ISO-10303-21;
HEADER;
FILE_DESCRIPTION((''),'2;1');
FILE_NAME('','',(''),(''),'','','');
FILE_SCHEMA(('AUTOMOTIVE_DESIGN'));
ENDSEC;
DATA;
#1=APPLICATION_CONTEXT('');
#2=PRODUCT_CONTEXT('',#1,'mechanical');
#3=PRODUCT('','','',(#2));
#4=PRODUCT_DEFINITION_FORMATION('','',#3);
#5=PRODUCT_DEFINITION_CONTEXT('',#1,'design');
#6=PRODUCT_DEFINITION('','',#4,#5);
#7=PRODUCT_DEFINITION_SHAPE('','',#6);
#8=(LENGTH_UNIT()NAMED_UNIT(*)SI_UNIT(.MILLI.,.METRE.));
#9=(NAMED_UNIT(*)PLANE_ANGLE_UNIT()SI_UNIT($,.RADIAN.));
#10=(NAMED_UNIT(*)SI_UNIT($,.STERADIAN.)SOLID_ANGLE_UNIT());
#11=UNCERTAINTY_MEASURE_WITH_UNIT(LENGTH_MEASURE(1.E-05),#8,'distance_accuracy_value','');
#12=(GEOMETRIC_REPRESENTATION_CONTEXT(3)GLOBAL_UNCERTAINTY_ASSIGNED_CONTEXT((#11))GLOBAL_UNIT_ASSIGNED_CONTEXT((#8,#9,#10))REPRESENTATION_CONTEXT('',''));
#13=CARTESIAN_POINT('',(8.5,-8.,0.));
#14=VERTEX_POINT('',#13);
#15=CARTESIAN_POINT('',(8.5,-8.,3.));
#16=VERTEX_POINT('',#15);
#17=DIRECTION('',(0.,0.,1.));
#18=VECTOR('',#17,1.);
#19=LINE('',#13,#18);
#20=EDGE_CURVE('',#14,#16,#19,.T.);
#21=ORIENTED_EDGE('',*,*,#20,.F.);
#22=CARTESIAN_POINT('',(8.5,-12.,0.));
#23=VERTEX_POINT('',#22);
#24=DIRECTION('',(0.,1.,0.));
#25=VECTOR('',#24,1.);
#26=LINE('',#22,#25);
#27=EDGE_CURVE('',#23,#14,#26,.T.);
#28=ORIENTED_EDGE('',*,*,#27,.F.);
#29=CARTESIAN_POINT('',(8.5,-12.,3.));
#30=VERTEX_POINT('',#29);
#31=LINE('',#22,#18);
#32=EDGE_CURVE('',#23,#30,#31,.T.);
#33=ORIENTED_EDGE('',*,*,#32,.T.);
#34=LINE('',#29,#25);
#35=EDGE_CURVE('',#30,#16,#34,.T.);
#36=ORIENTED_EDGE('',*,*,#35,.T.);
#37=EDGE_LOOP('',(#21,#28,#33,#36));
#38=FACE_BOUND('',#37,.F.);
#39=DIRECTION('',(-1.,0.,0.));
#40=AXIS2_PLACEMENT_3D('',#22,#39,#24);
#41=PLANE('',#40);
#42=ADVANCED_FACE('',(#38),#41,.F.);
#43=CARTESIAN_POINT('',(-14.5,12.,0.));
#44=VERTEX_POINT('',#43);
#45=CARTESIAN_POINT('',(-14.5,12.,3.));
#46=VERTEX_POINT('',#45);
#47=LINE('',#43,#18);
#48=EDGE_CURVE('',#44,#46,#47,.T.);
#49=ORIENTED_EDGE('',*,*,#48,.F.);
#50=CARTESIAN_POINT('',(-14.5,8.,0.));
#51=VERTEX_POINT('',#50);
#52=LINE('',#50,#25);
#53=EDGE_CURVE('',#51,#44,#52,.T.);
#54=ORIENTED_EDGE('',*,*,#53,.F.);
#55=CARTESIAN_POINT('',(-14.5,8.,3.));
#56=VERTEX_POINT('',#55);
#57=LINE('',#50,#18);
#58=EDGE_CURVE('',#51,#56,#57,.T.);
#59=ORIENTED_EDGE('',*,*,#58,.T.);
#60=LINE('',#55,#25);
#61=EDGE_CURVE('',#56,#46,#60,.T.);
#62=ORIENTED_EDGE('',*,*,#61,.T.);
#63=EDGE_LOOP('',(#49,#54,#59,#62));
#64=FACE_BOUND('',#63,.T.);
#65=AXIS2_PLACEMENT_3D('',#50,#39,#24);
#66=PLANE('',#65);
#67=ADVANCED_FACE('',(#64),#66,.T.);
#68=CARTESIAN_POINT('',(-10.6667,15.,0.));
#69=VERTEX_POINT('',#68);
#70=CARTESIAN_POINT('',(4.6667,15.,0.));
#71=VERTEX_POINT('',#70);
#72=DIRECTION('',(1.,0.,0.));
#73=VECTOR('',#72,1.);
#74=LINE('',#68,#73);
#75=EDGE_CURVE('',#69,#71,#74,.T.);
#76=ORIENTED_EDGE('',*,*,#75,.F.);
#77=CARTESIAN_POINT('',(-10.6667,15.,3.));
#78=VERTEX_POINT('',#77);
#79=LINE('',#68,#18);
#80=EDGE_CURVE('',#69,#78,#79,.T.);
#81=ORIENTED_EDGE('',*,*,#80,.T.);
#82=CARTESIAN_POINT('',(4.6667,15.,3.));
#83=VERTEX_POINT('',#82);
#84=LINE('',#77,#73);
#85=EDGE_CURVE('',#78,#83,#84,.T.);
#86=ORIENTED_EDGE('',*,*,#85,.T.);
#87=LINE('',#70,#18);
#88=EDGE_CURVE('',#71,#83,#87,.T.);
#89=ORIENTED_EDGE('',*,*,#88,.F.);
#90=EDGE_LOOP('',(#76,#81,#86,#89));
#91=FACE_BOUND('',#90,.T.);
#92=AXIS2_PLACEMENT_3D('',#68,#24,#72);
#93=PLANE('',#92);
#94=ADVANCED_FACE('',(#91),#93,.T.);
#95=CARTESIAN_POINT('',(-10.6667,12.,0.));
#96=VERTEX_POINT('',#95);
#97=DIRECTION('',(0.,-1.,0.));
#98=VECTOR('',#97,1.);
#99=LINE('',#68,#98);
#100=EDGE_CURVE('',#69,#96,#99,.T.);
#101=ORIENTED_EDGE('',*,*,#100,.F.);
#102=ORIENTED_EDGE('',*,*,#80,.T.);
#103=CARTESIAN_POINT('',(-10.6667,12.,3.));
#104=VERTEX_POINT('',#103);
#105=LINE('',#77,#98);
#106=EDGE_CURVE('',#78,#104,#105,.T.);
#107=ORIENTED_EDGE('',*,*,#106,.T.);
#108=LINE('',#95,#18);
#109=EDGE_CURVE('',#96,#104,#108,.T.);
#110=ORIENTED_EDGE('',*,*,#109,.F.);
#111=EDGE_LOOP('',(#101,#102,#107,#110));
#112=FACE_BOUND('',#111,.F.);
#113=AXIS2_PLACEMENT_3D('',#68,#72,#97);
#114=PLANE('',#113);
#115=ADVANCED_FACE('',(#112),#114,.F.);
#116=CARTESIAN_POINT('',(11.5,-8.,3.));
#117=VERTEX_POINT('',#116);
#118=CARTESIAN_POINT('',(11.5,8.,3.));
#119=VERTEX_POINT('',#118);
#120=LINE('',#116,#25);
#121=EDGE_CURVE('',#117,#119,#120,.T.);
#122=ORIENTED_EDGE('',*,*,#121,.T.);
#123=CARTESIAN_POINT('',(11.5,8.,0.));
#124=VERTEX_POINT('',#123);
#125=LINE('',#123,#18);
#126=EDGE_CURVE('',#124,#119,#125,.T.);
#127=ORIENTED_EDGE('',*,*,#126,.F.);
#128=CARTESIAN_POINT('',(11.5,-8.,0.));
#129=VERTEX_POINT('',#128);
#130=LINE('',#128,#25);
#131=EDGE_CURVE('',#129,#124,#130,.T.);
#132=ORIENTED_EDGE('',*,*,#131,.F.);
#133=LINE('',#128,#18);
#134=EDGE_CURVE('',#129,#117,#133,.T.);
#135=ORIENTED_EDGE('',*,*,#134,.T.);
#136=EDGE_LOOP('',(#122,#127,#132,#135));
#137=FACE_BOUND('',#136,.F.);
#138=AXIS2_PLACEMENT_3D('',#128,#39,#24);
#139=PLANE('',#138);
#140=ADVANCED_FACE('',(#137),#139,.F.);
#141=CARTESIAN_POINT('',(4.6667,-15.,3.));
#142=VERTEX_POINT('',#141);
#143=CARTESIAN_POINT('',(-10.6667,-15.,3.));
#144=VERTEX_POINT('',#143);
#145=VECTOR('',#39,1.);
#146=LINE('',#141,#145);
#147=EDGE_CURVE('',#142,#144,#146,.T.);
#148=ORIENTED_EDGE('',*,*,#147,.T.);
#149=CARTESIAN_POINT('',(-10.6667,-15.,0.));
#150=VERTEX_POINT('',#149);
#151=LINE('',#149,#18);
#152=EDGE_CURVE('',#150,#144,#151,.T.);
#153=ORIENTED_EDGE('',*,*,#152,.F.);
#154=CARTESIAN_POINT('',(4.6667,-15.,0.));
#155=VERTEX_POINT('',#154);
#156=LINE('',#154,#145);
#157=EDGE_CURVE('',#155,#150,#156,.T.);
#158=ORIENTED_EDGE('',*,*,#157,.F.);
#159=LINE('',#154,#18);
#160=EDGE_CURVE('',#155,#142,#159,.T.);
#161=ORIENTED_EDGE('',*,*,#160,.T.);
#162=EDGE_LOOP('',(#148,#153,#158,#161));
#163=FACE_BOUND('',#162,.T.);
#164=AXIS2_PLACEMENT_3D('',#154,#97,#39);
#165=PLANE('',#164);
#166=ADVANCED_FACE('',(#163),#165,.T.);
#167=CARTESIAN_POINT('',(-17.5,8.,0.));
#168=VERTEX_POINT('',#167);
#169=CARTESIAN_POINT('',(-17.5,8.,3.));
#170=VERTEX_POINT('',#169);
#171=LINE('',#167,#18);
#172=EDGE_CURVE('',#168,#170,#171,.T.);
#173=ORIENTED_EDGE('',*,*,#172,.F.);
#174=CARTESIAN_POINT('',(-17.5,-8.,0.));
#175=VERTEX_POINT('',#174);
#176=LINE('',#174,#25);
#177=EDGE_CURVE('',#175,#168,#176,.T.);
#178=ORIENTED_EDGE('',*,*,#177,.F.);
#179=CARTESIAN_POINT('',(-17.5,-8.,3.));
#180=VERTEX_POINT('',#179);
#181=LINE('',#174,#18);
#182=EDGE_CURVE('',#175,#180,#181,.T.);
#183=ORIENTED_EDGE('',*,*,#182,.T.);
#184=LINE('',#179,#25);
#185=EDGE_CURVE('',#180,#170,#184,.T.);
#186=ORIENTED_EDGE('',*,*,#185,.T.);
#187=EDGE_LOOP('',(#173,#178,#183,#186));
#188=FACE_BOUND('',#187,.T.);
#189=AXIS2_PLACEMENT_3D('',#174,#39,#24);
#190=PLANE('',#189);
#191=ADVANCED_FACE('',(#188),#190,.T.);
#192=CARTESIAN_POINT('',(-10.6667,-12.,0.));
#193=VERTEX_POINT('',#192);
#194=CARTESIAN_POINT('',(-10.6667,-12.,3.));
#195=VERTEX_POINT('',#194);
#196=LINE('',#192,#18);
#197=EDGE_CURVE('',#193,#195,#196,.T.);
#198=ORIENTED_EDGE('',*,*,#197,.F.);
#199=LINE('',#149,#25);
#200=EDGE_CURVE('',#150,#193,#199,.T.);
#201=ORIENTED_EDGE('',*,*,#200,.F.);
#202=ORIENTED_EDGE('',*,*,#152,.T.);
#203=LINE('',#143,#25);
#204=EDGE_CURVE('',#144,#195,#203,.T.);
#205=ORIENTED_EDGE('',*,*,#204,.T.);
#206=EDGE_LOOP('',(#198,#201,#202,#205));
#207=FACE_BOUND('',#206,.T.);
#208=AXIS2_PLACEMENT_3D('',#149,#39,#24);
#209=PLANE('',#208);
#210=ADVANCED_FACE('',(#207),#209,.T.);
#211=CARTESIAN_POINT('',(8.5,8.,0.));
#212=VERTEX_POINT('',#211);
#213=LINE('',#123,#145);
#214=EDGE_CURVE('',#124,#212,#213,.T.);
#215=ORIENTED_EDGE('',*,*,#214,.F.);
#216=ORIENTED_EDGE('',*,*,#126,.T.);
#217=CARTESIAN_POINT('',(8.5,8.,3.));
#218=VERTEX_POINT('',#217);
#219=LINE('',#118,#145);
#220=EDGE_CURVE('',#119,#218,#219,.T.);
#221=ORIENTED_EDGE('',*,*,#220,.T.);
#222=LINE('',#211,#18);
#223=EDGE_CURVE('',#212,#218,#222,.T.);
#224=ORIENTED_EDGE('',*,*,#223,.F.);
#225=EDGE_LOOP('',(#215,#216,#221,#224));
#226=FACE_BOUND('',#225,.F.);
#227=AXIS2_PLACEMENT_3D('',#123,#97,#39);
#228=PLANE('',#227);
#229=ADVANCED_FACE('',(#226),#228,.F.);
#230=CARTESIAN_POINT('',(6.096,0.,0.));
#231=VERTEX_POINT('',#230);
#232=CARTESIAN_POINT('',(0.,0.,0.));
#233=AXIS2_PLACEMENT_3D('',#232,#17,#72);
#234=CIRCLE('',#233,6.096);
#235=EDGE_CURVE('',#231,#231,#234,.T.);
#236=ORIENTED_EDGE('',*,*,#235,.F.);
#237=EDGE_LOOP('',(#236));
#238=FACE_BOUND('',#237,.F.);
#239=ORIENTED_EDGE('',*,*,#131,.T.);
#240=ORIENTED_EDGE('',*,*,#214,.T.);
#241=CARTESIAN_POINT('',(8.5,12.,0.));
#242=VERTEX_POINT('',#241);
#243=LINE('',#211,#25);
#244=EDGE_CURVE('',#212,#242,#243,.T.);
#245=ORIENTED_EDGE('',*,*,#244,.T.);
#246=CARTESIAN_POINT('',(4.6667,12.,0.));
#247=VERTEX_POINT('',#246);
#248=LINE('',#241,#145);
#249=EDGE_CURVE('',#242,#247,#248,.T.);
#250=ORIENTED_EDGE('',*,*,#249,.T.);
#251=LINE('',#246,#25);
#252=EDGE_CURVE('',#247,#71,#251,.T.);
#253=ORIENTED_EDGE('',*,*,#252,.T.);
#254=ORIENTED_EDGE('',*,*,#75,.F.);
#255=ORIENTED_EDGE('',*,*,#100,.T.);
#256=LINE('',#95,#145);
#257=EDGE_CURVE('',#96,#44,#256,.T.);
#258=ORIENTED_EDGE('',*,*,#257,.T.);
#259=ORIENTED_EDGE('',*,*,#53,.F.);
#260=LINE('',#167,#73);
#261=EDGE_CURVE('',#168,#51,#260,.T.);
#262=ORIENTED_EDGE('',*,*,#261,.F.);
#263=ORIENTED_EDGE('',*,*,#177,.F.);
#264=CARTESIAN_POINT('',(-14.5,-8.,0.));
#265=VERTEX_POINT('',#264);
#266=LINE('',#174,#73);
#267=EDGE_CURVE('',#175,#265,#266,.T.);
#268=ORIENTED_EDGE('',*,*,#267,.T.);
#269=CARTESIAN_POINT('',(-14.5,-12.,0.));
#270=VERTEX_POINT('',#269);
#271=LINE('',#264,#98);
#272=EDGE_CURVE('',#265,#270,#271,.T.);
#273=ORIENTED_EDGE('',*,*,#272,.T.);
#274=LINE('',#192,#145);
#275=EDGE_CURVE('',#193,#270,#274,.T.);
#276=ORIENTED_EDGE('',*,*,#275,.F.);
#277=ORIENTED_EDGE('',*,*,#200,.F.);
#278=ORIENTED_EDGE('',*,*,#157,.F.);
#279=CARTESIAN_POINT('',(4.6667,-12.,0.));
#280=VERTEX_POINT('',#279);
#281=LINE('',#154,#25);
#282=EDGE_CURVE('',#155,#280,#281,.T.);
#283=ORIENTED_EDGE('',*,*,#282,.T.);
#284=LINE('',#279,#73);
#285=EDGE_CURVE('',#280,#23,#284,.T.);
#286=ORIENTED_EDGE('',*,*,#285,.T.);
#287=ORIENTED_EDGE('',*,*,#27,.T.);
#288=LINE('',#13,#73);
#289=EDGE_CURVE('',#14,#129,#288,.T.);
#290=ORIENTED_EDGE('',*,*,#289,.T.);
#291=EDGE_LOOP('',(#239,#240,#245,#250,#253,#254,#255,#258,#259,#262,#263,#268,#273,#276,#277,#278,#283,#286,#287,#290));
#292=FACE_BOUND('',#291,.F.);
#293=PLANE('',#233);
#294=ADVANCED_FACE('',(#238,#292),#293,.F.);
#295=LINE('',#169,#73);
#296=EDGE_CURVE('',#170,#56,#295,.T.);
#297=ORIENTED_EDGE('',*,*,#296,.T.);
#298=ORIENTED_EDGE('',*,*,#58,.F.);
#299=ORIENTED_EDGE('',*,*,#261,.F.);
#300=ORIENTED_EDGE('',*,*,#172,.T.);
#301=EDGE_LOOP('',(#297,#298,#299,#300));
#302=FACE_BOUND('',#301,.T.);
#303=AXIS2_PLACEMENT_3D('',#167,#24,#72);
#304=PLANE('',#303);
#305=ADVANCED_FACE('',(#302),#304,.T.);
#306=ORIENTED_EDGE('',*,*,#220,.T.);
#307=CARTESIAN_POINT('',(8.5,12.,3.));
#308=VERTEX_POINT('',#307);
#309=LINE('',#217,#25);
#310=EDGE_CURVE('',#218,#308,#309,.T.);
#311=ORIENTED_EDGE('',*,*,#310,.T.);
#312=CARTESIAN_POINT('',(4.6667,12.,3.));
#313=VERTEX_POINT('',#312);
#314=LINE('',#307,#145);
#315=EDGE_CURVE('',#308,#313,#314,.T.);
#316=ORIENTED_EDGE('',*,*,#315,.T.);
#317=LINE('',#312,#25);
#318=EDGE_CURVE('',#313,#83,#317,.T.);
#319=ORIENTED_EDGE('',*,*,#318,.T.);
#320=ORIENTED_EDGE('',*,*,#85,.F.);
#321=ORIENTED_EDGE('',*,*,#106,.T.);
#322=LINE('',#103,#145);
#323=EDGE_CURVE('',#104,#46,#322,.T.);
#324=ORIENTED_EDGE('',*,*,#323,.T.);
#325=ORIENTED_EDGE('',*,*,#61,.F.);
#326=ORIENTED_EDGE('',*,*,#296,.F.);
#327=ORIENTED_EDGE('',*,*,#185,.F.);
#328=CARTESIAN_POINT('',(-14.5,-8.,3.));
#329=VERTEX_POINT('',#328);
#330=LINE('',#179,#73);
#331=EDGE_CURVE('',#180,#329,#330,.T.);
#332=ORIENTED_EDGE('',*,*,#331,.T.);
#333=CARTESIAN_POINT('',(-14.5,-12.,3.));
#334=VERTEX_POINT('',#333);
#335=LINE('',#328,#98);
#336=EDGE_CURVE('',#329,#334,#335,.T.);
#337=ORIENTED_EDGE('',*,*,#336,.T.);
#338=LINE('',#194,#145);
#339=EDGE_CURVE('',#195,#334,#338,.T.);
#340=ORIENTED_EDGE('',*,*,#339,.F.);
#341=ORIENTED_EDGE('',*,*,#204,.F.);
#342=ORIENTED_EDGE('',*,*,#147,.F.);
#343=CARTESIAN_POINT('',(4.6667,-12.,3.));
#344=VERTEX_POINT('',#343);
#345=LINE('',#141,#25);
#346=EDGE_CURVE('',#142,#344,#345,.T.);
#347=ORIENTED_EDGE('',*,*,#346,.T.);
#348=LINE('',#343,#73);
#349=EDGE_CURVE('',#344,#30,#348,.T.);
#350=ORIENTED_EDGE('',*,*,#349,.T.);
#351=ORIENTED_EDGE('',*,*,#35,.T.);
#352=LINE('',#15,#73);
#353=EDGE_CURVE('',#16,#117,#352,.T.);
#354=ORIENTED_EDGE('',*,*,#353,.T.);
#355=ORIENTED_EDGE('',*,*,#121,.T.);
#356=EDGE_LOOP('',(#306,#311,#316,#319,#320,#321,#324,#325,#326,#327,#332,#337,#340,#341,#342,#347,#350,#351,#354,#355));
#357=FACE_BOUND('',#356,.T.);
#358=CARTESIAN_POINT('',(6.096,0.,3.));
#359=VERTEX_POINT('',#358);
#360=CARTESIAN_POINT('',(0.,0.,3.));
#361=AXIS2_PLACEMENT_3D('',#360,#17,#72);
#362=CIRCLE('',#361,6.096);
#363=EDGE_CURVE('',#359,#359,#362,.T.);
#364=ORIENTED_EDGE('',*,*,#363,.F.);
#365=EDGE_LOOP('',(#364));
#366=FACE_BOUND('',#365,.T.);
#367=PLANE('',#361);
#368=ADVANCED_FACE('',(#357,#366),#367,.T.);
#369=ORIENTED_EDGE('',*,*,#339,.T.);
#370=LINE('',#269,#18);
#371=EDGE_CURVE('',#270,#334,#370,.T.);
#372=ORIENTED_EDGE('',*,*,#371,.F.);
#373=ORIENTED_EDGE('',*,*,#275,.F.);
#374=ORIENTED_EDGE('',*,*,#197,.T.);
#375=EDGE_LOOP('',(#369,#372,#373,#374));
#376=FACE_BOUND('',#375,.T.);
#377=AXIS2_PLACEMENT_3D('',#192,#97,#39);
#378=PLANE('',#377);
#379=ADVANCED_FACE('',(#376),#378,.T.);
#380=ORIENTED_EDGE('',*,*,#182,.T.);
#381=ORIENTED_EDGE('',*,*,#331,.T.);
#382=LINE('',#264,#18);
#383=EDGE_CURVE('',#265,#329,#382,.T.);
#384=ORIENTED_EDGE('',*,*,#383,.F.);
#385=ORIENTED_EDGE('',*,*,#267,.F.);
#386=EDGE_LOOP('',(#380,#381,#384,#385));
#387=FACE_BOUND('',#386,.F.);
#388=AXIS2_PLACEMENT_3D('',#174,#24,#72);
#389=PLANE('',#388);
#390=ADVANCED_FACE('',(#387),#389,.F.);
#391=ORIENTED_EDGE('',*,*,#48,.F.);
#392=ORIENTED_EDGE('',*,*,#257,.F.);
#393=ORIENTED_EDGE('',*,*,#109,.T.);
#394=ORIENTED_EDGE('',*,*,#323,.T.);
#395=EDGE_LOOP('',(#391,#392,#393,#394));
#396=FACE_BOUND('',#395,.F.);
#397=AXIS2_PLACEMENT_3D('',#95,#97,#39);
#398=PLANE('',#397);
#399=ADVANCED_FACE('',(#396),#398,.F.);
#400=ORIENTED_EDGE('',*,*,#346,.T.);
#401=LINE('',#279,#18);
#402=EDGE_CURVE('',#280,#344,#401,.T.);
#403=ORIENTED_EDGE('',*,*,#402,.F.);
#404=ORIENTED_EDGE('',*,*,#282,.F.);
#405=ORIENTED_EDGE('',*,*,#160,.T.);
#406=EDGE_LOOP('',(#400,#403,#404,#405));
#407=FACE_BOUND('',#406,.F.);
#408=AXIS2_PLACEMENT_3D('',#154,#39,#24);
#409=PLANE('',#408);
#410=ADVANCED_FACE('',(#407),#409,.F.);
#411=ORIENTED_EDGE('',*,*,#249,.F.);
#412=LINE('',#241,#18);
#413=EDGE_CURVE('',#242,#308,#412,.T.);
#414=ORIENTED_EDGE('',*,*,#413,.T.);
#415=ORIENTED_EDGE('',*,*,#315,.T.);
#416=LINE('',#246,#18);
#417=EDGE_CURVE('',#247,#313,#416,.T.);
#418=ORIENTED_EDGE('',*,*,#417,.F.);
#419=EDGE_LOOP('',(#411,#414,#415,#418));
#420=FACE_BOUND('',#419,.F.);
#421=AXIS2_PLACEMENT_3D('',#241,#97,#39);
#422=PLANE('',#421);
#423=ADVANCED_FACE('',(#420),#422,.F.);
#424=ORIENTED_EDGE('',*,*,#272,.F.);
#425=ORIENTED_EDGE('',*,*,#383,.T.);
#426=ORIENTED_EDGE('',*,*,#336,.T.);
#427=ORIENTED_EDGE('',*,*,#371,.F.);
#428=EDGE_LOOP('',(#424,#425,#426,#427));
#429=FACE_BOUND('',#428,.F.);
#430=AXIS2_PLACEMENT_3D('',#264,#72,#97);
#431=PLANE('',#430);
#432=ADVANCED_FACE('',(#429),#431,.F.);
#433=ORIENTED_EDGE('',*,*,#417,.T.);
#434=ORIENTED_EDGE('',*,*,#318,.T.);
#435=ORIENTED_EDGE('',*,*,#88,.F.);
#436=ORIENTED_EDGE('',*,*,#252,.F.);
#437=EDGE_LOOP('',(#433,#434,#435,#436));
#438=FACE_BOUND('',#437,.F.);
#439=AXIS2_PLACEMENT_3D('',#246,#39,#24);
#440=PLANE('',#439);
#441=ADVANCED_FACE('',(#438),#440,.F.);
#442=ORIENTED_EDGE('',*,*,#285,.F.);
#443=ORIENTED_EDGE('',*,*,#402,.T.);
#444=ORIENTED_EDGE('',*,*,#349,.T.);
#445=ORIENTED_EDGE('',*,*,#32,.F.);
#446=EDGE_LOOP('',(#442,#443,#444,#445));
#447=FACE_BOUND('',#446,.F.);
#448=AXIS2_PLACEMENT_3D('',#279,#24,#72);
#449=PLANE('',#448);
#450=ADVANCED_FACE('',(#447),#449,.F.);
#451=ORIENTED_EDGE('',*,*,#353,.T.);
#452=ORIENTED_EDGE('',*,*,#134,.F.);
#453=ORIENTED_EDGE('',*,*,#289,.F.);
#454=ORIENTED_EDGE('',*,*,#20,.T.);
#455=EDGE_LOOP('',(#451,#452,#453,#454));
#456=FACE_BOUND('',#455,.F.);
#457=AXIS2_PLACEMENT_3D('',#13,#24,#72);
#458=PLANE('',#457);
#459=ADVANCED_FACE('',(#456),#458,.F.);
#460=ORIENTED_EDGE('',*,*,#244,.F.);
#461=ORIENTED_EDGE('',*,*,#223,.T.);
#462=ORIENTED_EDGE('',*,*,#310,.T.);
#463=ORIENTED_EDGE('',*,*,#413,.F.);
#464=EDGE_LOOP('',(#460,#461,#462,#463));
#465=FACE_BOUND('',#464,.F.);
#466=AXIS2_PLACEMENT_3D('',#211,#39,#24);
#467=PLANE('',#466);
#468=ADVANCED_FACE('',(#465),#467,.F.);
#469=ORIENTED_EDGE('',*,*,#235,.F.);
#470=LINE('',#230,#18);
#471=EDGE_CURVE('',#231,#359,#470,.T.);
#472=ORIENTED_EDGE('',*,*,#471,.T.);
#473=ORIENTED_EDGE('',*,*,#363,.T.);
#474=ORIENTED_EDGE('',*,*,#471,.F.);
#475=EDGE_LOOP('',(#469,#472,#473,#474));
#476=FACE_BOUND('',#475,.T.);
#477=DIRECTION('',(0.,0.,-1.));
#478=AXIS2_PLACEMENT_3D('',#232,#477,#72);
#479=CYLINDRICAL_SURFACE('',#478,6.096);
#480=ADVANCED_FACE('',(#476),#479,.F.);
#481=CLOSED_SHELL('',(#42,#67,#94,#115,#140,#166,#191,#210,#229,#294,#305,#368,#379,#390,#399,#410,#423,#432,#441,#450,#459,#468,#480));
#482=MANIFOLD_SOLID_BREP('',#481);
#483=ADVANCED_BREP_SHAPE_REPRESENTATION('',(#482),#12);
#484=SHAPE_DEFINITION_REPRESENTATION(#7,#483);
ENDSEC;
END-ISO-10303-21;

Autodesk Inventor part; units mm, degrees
ref_plane "YZ Plane" through (0, 0, 0) normal (1, 0, 0) x (0, 1, 0)
ref_plane "XZ Plane" through (0, 0, 0) normal (0, 1, 0) x (-1, 0, 0)
ref_plane "XY Plane" through (0, 0, 0) normal (0, 0, 1) x (1, 0, 0)
sketch "Sketch1" plane through (0, 0, 0) normal (0, 0, 1) x (1, 0, 0)
  circle A0 centre (0, 0) radius 6.096
  line L0 (11.5, 8) -> (8.5, 8)
  line L1 (8.5, 8) -> (8.5, 12)
  line L2 (8.5, -12) -> (8.5, -8)
  line L3 (8.5, -8) -> (11.5, -8)
  line L4 (-10.6667, -15) -> (-10.6667, -12)
  line L5 (-10.6667, -12) -> (-14.5, -12)
  line L6 (4.6667, -15) -> (4.6667, -12)
  line L7 (4.6667, -12) -> (8.5, -12)
  line L8 (-17.5, -8) -> (-14.5, -8)
  line L9 (-14.5, -8) -> (-14.5, -12)
  line L10 (-17.5, 8) -> (-14.5, 8)
  line L11 (-14.5, 8) -> (-14.5, 12)
  line L12 (-10.6667, 15) -> (-10.6667, 12)
  line L13 (-10.6667, 12) -> (-14.5, 12)
  line L14 (8.5, 12) -> (4.6667, 12)
  line L15 (4.6667, 12) -> (4.6667, 15)
  line L16 (-10.6667, 15) -> (4.6667, 15)
  line L17 (-17.5, -8) -> (-17.5, 8)
  line L18 (4.6667, -15) -> (-10.6667, -15)
  line L19 (11.5, -8) -> (11.5, 8)
  line L20 (-20.9424, 0) -> (31.3224, 0) construction
  line L21 (0, 16.7256) -> (0, -15.9648) construction
  line L22 (4.6667, 12) -> (-10.6667, -12) construction
  line L23 (4.6667, -12) -> (-10.6667, 12) construction
  point P0 (-3, 0)
  dimension "d0" = 12.192
  dimension "d3" = 3
  dimension "d5" = 3
  dimension "d6" = 3
  dimension "d7" = 16
  dimension "d15" = 30
  dimension "d16" = 3
  dimension "d20" = 14.5
  dimension "d21" = 8.5
  dimension "d22" = 23
  dimension "d23" = 15.3333
  dimension "d24" = 24
extrude "Extrusion1" add sketch "Sketch1" along normal blind 3
equation "\"d7\" = 0.666667 * d24"
equation "\"d23\" = 0.666667 * d22"
properties part number "Camera-Holder_Bearing-Ring-Outer-Left"
